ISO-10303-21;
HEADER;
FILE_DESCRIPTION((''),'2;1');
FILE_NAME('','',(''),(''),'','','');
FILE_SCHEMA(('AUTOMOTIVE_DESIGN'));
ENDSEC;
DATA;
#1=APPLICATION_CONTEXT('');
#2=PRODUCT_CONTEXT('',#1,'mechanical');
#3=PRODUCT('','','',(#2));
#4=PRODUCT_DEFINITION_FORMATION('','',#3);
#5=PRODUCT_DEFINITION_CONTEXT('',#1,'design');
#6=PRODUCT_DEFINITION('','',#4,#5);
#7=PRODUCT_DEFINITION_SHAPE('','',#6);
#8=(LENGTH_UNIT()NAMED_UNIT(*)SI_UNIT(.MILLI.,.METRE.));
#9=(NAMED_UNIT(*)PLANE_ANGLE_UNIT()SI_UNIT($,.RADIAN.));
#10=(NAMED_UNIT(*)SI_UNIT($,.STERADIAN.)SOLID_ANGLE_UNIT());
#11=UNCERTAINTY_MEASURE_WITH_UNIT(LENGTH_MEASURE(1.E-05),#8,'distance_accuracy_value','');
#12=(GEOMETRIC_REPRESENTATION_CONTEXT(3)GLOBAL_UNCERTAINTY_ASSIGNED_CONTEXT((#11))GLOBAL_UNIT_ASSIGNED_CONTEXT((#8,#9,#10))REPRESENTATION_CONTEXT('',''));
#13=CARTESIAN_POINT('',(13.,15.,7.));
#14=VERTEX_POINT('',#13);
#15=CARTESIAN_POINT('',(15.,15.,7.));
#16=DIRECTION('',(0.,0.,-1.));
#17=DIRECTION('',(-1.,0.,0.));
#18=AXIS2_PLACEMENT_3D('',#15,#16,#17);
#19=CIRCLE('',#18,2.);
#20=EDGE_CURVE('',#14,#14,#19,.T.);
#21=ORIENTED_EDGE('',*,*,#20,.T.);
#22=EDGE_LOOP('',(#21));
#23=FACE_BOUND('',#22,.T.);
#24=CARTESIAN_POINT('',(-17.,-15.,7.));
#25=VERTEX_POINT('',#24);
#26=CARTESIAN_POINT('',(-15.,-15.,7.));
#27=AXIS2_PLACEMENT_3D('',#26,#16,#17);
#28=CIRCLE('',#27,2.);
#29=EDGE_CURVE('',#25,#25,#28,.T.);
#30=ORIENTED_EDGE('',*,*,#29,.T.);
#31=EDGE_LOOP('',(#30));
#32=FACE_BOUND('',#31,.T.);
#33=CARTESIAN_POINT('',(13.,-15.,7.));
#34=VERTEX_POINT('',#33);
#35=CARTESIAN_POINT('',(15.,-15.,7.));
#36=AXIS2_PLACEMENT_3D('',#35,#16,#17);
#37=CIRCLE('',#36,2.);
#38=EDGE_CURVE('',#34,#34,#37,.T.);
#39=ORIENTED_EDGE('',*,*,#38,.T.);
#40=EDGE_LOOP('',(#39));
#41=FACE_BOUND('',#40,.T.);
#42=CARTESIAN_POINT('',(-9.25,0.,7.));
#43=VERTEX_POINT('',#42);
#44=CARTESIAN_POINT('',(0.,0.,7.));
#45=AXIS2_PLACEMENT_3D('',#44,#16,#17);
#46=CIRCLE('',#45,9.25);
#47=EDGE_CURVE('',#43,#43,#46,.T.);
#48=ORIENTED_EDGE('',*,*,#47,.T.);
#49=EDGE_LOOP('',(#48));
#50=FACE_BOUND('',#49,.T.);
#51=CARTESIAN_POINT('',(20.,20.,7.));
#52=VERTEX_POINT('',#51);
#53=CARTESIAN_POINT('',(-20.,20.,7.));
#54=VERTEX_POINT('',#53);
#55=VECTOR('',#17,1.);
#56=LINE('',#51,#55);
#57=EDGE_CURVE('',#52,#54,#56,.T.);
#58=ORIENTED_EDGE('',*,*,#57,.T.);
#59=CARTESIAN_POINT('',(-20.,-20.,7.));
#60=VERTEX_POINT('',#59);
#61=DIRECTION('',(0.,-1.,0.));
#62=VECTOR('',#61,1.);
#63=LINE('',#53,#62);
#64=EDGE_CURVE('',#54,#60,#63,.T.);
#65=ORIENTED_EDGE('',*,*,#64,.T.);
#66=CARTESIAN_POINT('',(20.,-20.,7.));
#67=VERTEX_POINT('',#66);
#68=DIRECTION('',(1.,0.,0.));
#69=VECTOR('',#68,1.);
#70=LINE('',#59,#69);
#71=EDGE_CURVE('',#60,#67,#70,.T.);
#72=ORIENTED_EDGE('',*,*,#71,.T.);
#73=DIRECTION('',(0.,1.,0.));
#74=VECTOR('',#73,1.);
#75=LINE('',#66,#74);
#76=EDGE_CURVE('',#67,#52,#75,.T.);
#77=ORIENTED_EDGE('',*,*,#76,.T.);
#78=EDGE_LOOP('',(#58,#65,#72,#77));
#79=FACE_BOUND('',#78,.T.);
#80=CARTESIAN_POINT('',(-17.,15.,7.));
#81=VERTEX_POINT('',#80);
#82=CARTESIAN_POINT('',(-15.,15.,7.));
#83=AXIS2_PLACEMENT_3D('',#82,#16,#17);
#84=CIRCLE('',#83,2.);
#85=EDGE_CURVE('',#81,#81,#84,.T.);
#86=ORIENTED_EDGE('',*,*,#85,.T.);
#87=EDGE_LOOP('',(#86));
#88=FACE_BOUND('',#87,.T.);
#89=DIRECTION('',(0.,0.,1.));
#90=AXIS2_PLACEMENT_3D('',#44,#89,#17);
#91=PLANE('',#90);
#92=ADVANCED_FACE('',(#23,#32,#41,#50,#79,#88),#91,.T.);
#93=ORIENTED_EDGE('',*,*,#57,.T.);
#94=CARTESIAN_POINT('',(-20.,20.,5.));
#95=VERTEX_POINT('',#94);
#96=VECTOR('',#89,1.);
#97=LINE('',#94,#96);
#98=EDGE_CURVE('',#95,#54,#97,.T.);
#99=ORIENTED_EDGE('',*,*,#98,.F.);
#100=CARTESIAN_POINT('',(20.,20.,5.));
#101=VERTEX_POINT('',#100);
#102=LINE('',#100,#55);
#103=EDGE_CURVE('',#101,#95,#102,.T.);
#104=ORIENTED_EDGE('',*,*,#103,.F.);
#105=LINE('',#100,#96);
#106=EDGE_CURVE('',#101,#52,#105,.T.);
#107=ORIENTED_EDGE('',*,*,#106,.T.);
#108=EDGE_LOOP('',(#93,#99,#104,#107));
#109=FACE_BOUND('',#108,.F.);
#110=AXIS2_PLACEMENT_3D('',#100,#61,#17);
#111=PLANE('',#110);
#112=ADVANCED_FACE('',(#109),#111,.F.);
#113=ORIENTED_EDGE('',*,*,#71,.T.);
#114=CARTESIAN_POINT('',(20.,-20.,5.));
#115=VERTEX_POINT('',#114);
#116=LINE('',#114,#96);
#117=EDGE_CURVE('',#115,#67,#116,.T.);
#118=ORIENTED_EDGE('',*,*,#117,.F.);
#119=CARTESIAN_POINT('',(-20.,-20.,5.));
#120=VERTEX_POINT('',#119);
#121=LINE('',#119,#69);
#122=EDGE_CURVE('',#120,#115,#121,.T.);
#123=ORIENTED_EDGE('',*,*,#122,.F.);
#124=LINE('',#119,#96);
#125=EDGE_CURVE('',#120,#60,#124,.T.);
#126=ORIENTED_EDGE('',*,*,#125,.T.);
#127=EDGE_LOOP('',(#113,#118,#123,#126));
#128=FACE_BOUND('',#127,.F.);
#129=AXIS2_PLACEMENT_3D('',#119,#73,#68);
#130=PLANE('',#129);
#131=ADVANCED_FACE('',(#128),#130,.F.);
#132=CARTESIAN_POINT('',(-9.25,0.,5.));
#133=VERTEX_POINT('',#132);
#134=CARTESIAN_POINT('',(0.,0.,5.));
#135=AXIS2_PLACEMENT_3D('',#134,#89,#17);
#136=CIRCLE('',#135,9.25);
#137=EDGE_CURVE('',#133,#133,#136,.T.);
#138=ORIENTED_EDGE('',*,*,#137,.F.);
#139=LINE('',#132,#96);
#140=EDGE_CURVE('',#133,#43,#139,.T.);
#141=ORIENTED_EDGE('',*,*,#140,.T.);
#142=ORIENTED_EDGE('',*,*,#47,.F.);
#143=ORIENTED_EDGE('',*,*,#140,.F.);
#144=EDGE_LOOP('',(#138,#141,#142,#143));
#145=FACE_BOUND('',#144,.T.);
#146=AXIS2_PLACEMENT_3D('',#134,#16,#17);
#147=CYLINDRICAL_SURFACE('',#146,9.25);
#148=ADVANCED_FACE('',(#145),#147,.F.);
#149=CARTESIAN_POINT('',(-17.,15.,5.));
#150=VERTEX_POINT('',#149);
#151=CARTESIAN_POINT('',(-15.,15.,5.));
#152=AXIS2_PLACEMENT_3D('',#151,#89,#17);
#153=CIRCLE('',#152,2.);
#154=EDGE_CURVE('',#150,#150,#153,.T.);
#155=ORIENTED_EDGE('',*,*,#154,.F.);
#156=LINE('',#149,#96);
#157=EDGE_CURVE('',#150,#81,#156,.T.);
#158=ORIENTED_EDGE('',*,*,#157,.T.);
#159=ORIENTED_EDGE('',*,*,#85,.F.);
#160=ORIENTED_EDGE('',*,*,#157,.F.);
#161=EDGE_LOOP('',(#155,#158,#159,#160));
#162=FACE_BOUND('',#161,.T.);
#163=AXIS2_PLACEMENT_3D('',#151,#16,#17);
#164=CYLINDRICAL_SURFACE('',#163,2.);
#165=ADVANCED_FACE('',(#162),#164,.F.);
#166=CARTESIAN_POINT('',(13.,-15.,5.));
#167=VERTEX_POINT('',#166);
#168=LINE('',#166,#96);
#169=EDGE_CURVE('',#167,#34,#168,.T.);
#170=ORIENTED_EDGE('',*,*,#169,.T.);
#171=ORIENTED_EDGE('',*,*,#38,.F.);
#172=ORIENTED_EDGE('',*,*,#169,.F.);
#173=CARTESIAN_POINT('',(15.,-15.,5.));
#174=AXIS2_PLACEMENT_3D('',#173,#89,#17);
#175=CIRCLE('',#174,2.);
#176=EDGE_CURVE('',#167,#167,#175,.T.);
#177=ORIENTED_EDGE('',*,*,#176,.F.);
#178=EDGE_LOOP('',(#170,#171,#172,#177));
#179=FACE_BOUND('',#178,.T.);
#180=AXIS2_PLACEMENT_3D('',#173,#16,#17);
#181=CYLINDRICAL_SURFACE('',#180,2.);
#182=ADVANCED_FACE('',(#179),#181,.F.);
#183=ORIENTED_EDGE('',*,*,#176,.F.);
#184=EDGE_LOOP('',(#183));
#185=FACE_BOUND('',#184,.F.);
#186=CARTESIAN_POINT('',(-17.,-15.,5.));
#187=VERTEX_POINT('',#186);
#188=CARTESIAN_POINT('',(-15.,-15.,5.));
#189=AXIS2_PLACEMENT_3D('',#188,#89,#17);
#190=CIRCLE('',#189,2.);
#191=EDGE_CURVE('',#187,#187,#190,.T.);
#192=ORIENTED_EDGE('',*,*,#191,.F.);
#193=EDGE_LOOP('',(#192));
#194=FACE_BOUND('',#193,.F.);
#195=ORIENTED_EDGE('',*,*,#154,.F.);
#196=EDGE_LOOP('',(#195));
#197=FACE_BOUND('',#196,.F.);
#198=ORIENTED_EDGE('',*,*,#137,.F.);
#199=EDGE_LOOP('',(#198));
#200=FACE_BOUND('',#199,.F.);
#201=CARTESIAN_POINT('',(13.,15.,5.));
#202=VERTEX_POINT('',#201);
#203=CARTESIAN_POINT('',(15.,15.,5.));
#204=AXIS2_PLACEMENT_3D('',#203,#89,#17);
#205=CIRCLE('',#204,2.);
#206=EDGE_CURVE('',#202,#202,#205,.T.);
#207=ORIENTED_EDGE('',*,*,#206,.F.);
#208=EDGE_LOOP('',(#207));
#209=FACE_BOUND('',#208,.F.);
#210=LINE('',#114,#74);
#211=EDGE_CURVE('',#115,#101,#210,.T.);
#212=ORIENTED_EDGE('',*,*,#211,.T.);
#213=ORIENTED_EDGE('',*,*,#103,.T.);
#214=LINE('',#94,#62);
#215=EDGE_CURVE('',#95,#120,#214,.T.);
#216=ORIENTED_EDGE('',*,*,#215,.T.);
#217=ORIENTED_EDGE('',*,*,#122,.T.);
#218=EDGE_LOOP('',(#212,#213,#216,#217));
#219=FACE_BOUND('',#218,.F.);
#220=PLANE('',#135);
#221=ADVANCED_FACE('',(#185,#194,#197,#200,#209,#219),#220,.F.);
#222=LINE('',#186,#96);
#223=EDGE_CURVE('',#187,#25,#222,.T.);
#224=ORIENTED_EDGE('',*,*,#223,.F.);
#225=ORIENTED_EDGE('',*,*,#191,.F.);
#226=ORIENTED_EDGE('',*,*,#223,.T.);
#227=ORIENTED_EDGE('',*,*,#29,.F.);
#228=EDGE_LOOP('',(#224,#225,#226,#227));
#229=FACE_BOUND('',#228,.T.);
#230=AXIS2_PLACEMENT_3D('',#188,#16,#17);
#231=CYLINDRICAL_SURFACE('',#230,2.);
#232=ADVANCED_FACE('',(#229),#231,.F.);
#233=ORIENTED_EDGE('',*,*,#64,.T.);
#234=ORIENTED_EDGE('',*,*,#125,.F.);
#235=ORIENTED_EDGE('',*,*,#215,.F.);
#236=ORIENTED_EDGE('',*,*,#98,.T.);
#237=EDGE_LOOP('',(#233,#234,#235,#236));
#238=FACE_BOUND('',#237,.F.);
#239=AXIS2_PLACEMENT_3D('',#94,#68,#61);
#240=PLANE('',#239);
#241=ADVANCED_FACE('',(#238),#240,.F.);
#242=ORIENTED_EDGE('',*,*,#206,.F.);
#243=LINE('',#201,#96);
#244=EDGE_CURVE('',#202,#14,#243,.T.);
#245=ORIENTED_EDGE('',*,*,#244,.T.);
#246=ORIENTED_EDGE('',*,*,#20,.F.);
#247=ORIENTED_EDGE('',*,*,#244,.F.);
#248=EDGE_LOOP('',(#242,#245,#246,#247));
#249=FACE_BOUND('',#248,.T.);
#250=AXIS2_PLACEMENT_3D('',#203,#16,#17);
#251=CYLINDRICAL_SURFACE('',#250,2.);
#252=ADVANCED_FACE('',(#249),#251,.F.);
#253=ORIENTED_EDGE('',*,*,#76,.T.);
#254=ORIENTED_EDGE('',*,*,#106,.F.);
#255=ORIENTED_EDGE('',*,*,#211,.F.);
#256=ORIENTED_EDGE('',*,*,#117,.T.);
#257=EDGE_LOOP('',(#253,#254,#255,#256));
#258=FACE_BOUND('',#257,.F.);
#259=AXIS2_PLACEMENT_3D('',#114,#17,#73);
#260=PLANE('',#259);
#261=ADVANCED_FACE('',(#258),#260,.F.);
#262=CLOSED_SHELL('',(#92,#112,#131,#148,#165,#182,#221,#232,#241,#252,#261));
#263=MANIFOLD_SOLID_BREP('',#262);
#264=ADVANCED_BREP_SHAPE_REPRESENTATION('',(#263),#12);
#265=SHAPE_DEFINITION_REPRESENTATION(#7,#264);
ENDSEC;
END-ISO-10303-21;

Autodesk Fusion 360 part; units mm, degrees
sketch "草图1" plane through (0, 0, 5) normal (0, 0, 1) x (-1, 0, 0)
  line L0 (-20, 20) -> (-20, -20)
  line L1 (-20, -20) -> (20, -20)
  line L2 (20, -20) -> (20, 20)
  line L3 (20, 20) -> (-20, 20)
  circle A0 centre (0, 0) radius 9.25
  line L4 (0, 0) -> (-16.4715, 0) construction
  line L5 (0, 0) -> (0, 17) construction
  line L6 (-15, 15) -> (15, 15)
  line L7 (15, 15) -> (15, -15)
  line L8 (15, -15) -> (-15, -15)
  line L9 (-15, -15) -> (-15, 15)
  line L10 (-20, 20) -> (20, 20)
  line L11 (20, 20) -> (20, -20)
  line L12 (20, -20) -> (-20, -20)
  line L13 (-20, -20) -> (-20, 20)
  circle A1 centre (-15, -15) radius 2
  circle A2 centre (15, -15) radius 2
  circle A3 centre (15, 15) radius 2
  circle A4 centre (-15, 15) radius 2
  dimension "d1" = 18.5
  dimension "d2" = 30
  dimension "d3" = 30
  dimension "d4" = 4
  dimension "d5" = 4
  dimension "d6" = 4
  dimension "d7" = 4
extrude "拉伸1" add sketch "草图1" along normal blind 2 contours L0 L1 L2 L3 L10 L11 L12 L13 | A0 | L6 L9 A4 | L6 L9 A4 | L6 L7 L8 L9 A1 A2 A3 A4 | L6 L7 A3 | L6 L7 A3 | L8 L9 A1 | L8 L9 A1 | L7 L8 A2 | L7 L8 A2
extrude "拉伸2" cut sketch "草图1" along normal blind 5 contours A0 | L6 L9 A4 | L6 L9 A4 | L6 L7 A3 | L6 L7 A3 | L8 L9 A1 | L8 L9 A1 | L7 L8 A2 | L7 L8 A2
